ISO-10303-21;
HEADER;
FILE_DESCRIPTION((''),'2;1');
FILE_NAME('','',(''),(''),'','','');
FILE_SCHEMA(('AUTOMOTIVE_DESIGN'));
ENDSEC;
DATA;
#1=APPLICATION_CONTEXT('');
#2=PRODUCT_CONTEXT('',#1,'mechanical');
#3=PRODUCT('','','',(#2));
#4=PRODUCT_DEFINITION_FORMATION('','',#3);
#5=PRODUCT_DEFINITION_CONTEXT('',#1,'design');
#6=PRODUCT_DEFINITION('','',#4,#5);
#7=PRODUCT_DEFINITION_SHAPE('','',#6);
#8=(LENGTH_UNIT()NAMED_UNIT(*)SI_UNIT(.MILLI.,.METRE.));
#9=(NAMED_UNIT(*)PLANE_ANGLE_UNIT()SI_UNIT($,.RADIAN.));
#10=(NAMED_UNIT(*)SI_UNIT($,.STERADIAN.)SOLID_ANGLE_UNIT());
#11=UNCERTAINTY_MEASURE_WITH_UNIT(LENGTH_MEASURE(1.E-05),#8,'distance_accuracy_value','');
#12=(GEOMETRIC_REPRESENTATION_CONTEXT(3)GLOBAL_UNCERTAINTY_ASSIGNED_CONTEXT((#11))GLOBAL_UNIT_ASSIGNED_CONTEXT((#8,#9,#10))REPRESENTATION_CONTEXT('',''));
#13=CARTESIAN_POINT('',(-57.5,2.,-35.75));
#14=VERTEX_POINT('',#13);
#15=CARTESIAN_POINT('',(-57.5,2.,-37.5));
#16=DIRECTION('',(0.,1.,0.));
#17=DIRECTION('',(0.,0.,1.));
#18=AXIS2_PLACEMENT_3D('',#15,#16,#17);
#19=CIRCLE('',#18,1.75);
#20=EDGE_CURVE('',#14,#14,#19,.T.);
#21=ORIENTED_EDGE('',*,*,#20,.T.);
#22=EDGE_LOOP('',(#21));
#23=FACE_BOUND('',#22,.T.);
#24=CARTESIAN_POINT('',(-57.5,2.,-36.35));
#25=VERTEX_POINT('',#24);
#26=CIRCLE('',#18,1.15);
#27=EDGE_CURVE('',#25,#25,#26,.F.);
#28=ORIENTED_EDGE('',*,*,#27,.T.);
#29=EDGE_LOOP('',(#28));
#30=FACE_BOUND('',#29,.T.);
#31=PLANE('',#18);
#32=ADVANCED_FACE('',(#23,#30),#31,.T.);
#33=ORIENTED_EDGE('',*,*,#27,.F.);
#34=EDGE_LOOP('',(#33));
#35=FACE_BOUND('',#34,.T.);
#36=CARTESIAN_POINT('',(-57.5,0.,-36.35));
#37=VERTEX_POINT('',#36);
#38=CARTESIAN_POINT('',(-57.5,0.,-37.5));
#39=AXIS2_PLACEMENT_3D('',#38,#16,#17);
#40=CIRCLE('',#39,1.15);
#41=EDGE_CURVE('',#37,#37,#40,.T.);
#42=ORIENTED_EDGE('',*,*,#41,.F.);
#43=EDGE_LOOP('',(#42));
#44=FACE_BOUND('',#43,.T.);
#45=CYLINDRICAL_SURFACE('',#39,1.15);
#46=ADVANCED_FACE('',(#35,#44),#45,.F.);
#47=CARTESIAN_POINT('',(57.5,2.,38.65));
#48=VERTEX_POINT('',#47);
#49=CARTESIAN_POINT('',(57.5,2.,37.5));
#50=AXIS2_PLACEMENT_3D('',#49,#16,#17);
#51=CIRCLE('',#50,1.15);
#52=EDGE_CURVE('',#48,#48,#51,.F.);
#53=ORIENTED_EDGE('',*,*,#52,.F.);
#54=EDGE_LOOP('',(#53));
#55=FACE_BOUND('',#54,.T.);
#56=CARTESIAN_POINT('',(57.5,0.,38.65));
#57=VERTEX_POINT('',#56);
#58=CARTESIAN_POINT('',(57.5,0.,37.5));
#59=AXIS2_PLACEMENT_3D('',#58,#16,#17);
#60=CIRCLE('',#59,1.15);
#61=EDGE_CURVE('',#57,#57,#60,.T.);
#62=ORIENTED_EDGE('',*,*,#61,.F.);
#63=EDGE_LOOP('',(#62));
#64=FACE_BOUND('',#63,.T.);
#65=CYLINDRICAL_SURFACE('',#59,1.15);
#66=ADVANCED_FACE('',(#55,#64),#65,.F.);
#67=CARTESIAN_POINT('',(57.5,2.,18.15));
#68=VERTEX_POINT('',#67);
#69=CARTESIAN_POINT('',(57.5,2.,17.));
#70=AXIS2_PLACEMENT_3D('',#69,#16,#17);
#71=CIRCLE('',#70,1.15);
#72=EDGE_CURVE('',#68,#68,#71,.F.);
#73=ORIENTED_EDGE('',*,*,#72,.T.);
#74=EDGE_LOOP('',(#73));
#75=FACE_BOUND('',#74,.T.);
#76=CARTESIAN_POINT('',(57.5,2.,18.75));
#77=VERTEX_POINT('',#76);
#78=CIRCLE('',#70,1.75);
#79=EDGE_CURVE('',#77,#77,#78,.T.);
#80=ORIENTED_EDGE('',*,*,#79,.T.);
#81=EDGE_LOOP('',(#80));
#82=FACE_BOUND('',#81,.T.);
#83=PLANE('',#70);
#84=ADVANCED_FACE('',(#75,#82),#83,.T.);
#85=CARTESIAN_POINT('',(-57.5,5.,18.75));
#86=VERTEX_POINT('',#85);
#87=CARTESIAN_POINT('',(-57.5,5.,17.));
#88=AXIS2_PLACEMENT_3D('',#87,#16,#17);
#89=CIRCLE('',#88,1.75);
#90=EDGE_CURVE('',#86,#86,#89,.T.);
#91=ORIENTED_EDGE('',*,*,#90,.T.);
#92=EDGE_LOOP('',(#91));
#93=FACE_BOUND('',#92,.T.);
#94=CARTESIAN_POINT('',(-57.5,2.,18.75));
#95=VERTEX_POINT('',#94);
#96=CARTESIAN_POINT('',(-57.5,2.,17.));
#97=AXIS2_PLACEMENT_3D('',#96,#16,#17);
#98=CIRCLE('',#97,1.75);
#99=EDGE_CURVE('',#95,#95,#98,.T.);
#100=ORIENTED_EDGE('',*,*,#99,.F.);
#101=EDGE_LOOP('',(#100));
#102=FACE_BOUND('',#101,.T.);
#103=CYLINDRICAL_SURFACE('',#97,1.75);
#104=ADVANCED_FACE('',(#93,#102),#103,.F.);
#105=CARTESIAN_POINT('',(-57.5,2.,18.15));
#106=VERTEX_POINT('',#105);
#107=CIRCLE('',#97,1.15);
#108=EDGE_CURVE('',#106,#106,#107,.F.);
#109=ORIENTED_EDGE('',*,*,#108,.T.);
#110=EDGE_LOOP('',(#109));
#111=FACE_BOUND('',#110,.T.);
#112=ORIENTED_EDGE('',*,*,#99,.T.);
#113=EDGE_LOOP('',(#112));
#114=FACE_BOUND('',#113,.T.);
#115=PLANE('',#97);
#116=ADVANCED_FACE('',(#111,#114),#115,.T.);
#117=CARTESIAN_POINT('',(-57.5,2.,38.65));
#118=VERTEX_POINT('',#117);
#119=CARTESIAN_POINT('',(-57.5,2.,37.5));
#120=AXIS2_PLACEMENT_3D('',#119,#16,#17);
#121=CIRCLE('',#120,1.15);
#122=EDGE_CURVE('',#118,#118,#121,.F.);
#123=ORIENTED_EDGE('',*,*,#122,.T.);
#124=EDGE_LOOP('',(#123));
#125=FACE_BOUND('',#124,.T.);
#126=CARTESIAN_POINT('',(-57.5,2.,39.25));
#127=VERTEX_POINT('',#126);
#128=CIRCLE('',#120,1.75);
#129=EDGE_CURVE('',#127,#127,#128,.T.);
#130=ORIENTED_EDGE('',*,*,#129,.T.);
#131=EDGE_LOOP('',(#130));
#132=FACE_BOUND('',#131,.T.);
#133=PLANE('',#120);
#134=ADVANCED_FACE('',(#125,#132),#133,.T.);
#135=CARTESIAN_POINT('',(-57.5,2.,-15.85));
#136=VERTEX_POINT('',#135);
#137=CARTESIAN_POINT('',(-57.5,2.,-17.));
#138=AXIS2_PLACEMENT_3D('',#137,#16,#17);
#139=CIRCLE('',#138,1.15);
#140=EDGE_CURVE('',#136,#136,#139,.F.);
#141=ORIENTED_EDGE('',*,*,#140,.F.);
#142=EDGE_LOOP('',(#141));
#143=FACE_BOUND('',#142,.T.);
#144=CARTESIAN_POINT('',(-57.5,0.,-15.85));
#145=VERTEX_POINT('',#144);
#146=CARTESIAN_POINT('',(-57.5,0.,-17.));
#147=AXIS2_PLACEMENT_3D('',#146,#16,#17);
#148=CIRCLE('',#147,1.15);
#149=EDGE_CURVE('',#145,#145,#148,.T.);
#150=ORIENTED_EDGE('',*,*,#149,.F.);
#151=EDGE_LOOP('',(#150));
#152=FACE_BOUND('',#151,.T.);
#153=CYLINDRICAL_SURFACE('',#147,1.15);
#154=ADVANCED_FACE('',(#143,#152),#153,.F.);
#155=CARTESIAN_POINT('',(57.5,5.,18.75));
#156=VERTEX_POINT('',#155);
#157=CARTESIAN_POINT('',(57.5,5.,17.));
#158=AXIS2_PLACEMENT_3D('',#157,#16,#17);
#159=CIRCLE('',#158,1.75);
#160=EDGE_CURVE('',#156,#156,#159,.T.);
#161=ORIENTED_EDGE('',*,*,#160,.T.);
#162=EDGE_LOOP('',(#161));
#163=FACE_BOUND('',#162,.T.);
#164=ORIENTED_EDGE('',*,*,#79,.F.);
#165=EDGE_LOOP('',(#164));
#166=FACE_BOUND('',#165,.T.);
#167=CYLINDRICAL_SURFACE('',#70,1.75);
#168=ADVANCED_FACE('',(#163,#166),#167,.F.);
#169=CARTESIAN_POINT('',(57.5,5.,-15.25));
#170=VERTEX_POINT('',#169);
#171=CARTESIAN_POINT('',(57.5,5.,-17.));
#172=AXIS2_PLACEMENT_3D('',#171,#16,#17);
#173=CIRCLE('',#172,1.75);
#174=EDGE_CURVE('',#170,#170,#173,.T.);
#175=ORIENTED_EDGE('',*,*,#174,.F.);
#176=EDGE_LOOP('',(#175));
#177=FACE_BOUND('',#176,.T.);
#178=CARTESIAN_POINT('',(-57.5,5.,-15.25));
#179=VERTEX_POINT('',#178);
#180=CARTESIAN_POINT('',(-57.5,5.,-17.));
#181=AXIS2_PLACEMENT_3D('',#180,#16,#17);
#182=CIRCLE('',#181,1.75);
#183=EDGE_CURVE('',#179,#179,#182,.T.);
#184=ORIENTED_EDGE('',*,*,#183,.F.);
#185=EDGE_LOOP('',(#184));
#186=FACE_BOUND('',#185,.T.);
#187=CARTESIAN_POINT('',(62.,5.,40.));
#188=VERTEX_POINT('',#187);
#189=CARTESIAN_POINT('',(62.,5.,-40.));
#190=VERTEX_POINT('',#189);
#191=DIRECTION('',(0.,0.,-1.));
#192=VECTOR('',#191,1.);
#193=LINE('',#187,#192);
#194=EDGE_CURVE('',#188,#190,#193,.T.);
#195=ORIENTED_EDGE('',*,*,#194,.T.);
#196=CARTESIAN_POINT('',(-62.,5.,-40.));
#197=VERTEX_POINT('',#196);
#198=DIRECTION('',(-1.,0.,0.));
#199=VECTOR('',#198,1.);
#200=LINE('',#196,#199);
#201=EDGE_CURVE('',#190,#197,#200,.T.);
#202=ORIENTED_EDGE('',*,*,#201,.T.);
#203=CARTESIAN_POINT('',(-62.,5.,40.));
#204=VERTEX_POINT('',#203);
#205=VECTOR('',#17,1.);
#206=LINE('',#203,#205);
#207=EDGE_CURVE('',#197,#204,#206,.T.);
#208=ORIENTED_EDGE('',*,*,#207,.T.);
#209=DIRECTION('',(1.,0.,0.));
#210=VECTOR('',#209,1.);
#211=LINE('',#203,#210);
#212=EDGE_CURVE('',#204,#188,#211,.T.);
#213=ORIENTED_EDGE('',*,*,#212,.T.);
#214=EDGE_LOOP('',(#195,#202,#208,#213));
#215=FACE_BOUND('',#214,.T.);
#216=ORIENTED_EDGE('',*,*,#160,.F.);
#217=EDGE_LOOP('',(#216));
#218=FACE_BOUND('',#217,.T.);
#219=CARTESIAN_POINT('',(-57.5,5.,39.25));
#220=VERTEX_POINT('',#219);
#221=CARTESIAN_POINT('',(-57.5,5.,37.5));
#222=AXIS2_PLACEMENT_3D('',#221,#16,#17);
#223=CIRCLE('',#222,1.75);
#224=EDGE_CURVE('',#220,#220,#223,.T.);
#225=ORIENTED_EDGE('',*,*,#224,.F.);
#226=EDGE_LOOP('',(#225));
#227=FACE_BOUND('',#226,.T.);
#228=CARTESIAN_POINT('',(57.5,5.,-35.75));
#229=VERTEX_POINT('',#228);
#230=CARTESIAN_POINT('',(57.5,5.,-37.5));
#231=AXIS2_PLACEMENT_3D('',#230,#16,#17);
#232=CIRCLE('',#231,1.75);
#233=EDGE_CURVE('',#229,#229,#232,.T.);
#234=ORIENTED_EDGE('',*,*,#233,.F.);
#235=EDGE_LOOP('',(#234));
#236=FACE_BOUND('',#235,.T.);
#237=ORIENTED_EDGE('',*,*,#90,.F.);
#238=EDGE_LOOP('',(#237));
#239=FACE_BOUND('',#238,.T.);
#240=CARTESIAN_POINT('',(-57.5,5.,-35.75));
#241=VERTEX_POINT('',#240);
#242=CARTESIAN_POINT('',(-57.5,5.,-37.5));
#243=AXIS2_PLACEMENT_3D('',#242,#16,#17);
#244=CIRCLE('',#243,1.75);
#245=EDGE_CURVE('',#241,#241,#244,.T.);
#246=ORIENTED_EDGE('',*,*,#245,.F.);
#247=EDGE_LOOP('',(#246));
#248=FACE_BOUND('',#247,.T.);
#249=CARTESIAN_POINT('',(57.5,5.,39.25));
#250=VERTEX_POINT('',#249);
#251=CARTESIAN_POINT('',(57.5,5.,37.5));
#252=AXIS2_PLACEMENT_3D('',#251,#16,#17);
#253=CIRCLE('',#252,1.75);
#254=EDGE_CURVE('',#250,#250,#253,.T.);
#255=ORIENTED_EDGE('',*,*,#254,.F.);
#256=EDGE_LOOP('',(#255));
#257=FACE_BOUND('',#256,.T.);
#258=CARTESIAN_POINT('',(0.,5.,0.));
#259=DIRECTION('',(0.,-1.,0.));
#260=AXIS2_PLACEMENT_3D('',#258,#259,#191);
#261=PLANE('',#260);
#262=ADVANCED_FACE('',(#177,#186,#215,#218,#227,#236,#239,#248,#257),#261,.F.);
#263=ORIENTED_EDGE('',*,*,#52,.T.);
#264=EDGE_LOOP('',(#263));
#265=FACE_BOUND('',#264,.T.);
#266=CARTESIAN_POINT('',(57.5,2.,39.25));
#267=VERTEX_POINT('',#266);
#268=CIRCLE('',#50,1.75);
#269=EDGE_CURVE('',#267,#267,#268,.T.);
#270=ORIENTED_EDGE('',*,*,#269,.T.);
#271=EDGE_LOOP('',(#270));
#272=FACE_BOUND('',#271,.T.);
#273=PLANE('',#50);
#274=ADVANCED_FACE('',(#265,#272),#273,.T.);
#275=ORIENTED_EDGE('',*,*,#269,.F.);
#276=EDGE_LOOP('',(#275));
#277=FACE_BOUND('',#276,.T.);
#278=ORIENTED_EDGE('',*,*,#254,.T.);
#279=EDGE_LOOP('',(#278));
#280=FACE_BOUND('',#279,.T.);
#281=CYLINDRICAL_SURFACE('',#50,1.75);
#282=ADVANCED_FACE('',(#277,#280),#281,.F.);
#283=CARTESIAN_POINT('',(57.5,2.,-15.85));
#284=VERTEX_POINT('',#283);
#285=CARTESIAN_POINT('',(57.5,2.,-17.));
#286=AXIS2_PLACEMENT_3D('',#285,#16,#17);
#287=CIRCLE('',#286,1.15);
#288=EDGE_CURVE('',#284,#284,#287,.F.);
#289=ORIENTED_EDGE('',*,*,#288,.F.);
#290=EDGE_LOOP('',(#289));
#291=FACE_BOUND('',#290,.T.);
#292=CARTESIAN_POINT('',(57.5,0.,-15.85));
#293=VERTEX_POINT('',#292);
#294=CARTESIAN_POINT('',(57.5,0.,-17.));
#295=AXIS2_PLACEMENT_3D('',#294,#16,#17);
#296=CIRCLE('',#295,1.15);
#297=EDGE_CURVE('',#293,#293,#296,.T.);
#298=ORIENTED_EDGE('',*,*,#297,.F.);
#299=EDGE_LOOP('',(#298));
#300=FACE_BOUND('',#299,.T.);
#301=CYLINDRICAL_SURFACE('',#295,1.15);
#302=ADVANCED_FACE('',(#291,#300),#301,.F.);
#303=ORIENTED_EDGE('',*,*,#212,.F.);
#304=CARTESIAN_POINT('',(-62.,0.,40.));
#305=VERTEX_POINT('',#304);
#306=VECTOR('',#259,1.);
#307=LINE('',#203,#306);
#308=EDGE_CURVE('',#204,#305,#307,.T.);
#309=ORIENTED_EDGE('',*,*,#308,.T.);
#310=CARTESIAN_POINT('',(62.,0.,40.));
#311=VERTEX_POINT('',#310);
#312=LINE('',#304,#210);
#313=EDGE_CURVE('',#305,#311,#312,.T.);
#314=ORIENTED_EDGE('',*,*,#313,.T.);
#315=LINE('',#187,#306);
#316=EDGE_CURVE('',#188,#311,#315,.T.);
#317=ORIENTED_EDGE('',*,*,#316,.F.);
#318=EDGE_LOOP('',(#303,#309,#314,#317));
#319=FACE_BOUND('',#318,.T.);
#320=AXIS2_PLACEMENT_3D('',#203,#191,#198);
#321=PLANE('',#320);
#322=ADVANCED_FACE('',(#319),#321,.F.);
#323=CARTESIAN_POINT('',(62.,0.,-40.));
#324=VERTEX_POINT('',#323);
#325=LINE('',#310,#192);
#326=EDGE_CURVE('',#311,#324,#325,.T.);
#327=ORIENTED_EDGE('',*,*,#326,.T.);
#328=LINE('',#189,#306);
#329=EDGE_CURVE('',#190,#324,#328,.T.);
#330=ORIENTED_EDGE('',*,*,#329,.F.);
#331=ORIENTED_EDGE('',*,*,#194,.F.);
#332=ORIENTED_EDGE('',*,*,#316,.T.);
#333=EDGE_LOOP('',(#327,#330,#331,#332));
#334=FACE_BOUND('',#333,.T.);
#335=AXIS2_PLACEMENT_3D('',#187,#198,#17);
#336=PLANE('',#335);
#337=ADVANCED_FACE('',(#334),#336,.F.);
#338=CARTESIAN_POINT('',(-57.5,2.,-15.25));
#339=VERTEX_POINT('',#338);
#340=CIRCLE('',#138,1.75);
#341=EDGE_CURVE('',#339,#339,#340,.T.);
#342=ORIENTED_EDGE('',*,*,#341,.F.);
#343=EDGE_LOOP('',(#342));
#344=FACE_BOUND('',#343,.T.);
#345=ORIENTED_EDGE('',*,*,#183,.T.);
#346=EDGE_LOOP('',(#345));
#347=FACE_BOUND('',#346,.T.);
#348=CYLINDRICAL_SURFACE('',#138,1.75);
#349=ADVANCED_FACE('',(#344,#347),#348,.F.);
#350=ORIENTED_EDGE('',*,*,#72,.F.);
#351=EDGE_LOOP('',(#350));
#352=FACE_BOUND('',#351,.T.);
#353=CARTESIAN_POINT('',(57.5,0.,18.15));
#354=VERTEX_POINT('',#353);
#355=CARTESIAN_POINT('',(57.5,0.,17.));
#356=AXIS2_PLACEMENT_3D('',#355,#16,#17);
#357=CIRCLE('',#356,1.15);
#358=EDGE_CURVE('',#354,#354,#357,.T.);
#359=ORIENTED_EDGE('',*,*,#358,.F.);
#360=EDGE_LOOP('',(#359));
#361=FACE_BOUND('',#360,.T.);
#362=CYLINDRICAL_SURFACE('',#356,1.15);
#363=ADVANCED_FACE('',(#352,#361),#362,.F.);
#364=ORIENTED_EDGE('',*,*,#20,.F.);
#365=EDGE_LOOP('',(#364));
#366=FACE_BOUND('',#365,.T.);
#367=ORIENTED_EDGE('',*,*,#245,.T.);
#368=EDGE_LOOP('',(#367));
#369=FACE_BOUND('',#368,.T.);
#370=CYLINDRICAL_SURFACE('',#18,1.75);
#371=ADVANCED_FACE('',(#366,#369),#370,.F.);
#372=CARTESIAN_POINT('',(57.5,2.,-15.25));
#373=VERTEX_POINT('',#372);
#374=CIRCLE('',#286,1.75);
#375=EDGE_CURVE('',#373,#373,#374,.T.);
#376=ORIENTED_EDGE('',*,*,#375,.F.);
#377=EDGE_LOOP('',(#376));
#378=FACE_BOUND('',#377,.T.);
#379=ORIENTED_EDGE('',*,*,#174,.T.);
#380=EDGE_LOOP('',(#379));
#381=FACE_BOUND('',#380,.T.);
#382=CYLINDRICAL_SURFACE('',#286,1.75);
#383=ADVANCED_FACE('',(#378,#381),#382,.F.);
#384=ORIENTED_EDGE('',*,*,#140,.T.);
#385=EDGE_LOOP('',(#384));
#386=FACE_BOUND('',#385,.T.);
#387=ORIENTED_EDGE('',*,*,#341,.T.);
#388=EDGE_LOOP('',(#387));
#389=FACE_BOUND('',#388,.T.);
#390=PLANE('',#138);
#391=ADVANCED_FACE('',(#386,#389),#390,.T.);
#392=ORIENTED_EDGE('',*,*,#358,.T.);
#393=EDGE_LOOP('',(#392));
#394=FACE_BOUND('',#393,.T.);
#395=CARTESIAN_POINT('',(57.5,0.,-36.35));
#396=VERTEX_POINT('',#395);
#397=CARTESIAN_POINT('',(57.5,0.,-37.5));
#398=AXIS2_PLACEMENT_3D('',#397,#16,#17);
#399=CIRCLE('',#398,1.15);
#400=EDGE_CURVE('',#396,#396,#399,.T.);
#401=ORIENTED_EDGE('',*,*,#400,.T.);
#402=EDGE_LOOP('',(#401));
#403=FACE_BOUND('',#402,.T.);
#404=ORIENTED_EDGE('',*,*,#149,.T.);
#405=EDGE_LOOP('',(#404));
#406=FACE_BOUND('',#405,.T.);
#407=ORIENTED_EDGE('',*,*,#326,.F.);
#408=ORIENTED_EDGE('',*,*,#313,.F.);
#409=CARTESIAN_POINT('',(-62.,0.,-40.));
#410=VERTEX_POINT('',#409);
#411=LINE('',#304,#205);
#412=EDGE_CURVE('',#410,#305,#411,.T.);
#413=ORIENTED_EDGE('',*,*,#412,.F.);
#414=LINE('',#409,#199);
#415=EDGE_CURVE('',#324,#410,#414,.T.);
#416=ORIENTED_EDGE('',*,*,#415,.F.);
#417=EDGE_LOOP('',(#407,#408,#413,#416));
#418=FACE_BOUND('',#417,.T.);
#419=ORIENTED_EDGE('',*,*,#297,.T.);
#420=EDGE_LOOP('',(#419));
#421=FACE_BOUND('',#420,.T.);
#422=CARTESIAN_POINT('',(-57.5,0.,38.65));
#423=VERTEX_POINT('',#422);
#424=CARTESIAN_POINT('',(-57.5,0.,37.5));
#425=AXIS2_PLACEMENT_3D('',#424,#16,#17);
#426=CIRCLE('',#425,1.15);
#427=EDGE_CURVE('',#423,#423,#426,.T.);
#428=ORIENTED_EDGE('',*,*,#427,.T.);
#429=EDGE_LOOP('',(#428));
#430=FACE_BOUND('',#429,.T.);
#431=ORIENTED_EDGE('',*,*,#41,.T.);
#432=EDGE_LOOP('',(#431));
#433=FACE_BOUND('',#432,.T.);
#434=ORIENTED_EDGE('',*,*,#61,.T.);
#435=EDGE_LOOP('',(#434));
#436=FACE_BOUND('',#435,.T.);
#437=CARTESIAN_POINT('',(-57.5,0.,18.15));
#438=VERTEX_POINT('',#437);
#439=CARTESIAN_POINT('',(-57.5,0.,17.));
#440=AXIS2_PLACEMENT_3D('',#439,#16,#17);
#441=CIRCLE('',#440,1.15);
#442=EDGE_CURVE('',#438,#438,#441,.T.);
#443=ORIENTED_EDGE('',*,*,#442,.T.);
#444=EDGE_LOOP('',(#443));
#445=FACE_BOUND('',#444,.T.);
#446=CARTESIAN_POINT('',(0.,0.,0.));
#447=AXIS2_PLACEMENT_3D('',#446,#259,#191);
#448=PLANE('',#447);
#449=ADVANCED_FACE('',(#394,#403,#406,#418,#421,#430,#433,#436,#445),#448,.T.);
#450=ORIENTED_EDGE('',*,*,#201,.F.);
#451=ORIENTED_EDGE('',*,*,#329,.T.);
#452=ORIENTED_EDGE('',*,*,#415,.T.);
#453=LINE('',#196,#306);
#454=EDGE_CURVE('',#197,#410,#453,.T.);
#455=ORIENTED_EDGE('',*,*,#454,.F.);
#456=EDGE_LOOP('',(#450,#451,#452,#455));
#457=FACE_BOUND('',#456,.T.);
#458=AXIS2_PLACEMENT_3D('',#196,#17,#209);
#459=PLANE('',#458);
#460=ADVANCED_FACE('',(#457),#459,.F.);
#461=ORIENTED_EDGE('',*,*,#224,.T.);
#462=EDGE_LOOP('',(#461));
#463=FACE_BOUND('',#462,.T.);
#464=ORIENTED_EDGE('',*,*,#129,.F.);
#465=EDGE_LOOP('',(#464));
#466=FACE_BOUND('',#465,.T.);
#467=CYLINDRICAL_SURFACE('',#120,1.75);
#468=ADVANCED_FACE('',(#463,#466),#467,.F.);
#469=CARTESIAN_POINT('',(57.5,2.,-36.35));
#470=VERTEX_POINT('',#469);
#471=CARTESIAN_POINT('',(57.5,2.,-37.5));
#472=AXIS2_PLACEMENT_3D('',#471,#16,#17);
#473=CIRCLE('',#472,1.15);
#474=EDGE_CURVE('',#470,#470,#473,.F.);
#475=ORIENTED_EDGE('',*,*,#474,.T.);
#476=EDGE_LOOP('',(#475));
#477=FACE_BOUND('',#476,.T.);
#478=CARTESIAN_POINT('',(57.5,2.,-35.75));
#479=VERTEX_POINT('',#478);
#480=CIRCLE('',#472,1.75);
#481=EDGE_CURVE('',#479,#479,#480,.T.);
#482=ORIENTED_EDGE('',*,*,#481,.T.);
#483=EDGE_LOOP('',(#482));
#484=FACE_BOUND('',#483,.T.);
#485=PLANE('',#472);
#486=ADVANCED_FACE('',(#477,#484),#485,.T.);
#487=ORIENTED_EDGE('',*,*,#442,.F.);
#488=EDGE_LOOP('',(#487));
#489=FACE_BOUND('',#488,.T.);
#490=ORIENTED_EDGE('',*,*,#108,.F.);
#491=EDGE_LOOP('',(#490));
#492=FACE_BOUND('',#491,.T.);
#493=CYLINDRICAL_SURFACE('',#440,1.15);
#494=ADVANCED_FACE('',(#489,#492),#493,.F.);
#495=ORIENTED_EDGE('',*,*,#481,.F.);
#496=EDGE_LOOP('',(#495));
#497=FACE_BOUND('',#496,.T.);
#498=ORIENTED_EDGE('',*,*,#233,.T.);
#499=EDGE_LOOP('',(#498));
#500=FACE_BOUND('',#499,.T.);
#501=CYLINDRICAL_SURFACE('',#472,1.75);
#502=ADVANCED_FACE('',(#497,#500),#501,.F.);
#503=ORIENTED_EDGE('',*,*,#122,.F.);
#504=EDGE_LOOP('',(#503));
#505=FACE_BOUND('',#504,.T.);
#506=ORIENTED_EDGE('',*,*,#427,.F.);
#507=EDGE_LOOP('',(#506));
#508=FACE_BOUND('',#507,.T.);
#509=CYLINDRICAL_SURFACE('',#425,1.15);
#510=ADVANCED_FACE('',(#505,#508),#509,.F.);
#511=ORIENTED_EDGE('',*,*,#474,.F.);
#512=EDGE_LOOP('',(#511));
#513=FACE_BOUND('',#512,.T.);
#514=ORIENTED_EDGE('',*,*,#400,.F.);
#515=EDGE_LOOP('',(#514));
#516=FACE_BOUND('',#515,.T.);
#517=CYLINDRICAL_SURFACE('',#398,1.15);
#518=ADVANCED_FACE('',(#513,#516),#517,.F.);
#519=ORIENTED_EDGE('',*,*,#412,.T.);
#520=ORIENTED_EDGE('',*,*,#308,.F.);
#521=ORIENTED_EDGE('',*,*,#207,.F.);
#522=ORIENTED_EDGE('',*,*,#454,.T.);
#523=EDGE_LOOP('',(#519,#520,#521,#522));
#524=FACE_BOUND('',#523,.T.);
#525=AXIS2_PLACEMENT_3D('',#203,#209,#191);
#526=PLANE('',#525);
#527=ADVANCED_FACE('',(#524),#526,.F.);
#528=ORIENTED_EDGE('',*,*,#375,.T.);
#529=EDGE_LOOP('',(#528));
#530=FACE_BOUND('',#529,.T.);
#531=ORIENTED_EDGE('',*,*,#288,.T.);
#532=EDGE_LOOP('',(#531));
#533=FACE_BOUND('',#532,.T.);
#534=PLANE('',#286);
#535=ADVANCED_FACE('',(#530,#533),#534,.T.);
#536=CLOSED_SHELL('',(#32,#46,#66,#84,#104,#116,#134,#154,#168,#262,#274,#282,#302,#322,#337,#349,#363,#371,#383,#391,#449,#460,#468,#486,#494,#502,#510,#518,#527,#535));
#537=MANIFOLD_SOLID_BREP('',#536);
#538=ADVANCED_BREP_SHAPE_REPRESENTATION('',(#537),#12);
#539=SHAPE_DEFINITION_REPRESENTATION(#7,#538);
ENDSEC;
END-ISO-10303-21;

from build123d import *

# Parameters (mm, degrees)
SKETCH_1_W          = 124
SKETCH_1_H          = 80
EXTRUDE_1_DEPTH     = 5
SKETCH_2_R          = 1.15
CUT_EXTRUDE_1_DEPTH = 74.952687578
SKETCH_2_3_R        = 1.75
CUT_EXTRUDE_2_DEPTH = 3


with BuildPart() as part:
    # 草图1 → 凸台-拉伸1 (new body)
    with BuildSketch(Plane(origin=(0, 0, 0), x_dir=(1, 0, 0), z_dir=(0, 1, 0))):
        Rectangle(SKETCH_1_W, SKETCH_1_H)
    extrude(amount=EXTRUDE_1_DEPTH)

    # 草图2 → 切除-拉伸1 (cut, through all)
    with BuildSketch(Plane(origin=(0, 5, 0), x_dir=(1, 0, 0), z_dir=(0, 1, 0))):
        with Locations((-57.5, 37.5)):
            Circle(SKETCH_2_R)
        with Locations((-57.5, 17)):
            Circle(SKETCH_2_R)
        with Locations((-57.5, -17)):
            Circle(SKETCH_2_R)
        with Locations((-57.5, -37.5)):
            Circle(SKETCH_2_R)
        with Locations((57.5, 37.5)):
            Circle(SKETCH_2_R)
        with Locations((57.5, 17)):
            Circle(SKETCH_2_R)
        with Locations((57.5, -17)):
            Circle(SKETCH_2_R)
        with Locations((57.5, -37.5)):
            Circle(SKETCH_2_R)
    extrude(amount=-CUT_EXTRUDE_1_DEPTH, mode=Mode.SUBTRACT)

    # 草图2<3> → 切除-拉伸2 (cut)
    with BuildSketch(Plane(origin=(0, 5, 0), x_dir=(1, 0, 0), z_dir=(0, 1, 0))):
        with Locations((-57.5, 37.5)):
            Circle(SKETCH_2_3_R)
        with Locations((-57.5, 17)):
            Circle(SKETCH_2_3_R)
        with Locations((-57.5, -17)):
            Circle(SKETCH_2_3_R)
        with Locations((-57.5, -37.5)):
            Circle(SKETCH_2_3_R)
        with Locations((57.5, 37.5)):
            Circle(SKETCH_2_3_R)
        with Locations((57.5, 17)):
            Circle(SKETCH_2_3_R)
        with Locations((57.5, -17)):
            Circle(SKETCH_2_3_R)
        with Locations((57.5, -37.5)):
            Circle(SKETCH_2_3_R)
    extrude(amount=-CUT_EXTRUDE_2_DEPTH, mode=Mode.SUBTRACT)


solid = part.part
